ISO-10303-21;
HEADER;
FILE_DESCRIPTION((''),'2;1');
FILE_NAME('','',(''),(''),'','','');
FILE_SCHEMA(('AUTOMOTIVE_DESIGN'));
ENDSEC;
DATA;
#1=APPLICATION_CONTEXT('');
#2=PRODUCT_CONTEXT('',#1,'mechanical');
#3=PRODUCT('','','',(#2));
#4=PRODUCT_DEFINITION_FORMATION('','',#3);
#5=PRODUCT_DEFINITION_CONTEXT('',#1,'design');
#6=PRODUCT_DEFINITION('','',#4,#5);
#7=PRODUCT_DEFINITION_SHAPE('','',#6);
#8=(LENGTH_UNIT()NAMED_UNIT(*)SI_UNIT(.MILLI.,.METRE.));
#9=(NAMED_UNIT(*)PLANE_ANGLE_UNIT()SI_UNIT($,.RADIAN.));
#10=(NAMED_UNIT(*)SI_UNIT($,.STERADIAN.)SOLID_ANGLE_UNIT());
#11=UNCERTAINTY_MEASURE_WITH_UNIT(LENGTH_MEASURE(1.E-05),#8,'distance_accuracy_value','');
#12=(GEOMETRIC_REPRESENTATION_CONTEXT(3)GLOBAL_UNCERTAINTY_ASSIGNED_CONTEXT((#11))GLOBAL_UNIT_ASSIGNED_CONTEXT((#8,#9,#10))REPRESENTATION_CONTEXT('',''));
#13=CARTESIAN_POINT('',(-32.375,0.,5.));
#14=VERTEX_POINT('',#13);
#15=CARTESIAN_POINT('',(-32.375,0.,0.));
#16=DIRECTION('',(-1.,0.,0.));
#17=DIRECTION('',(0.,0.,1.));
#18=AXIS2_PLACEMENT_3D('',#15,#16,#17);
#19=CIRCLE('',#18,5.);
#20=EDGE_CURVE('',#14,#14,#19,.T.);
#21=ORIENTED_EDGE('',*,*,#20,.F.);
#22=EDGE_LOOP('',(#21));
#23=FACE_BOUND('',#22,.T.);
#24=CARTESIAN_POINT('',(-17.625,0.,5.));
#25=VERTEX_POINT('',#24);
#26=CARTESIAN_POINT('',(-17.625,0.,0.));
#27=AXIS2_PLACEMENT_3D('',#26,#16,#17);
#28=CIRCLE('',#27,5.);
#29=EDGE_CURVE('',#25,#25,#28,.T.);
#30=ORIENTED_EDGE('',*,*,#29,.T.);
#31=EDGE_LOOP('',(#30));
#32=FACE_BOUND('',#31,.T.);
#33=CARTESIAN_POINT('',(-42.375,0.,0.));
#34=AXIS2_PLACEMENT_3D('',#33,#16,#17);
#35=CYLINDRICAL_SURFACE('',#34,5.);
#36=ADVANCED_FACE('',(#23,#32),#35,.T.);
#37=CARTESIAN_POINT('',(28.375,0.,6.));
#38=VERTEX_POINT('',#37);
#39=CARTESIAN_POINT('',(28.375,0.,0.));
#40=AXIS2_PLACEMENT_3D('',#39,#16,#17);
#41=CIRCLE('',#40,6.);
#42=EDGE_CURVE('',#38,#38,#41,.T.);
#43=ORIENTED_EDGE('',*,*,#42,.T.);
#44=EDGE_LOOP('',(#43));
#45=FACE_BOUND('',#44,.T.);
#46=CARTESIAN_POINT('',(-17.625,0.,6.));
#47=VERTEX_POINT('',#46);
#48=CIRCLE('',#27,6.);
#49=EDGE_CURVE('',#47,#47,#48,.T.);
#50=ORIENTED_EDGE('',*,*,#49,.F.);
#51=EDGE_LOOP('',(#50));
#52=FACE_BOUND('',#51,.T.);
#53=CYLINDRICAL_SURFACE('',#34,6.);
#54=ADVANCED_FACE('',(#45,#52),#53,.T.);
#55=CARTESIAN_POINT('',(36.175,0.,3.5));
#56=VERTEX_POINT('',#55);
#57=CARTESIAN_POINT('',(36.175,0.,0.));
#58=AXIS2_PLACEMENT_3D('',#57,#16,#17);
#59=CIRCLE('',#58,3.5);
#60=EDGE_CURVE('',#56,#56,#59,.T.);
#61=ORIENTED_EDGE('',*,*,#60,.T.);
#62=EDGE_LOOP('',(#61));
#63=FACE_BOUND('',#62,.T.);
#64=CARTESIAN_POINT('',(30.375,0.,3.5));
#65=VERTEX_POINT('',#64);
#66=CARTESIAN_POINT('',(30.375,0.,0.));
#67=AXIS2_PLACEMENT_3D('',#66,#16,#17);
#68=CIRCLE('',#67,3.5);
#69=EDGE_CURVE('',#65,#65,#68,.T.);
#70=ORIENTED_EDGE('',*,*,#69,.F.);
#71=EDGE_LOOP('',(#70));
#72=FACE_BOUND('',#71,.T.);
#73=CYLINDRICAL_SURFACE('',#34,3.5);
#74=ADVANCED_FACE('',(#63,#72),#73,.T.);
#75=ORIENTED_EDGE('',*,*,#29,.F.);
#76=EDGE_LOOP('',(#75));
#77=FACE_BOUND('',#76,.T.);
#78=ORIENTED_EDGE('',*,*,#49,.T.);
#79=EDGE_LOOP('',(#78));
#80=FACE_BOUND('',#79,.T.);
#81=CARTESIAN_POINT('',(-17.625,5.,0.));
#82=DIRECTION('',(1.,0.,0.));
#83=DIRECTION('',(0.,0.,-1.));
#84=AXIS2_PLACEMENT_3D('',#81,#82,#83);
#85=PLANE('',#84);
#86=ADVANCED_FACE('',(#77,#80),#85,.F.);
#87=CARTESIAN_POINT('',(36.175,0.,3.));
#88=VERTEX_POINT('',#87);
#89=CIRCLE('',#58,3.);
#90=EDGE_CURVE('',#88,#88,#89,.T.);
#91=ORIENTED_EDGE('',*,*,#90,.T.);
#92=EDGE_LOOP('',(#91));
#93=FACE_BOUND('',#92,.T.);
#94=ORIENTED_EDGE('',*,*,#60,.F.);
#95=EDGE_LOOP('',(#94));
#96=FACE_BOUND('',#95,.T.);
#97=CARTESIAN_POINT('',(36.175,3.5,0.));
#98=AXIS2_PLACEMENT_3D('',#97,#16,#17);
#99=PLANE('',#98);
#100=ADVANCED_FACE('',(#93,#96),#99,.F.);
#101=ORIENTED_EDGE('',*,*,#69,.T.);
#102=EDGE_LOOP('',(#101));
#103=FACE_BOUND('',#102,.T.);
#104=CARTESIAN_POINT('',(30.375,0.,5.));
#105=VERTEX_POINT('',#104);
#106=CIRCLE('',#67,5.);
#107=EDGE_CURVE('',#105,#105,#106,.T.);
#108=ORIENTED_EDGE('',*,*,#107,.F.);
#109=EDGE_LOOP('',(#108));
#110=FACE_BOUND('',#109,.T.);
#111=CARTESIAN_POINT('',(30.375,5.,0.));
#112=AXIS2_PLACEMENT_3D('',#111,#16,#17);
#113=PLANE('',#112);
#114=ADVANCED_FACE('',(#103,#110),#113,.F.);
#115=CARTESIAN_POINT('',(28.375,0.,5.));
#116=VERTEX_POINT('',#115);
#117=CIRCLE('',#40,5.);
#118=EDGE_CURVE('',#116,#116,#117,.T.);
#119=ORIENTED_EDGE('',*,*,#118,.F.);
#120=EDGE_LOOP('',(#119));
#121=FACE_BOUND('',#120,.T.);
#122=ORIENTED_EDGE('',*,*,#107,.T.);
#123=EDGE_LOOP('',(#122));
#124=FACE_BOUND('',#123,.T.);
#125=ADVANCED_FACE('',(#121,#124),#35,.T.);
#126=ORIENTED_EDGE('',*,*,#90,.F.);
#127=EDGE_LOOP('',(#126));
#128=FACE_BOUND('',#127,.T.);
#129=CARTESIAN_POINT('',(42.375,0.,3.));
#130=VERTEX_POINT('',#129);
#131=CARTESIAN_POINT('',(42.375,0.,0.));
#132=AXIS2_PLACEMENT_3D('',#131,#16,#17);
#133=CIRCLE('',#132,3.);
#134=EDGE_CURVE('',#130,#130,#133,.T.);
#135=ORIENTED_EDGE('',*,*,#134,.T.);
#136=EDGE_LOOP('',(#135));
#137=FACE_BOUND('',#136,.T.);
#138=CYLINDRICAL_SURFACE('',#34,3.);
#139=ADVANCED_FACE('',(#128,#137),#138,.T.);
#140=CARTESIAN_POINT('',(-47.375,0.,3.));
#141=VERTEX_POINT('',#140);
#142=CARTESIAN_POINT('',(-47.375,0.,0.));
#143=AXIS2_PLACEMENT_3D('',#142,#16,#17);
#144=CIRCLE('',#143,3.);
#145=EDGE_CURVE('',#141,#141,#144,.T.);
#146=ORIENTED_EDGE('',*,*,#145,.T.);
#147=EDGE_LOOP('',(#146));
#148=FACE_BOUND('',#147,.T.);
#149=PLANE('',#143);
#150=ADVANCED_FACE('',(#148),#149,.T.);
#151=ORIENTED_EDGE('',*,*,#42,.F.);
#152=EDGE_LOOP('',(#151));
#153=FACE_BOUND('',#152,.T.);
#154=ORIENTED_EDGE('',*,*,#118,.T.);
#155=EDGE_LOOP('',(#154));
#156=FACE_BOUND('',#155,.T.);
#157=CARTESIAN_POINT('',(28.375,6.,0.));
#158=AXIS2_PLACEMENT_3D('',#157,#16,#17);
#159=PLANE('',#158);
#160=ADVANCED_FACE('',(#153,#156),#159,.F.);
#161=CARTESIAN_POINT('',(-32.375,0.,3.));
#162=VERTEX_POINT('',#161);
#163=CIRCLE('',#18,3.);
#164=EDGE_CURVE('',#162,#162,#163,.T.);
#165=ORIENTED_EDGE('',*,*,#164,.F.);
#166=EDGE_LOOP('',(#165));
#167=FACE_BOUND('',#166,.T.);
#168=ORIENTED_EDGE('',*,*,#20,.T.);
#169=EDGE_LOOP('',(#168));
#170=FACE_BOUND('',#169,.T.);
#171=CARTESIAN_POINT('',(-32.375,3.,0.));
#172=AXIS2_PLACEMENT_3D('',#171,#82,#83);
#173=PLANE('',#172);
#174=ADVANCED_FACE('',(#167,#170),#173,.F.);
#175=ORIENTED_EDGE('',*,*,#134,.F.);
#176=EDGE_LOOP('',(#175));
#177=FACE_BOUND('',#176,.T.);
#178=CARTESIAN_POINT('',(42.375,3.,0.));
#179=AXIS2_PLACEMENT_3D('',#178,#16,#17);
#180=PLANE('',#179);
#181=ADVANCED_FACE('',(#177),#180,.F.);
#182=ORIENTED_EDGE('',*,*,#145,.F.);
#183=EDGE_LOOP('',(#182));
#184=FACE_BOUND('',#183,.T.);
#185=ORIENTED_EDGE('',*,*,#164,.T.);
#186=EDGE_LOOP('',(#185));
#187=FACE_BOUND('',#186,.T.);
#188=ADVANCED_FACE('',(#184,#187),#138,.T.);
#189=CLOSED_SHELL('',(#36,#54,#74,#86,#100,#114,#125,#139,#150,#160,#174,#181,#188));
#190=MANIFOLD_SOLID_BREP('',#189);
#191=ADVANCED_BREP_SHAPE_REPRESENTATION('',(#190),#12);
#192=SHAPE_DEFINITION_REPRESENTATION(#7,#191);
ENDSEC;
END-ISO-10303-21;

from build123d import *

# Parameters (mm, degrees)
BOSS_EXTRUDE2_START = 5
SKETCH6_R           = 3
BOSS_EXTRUDE2_DEPTH = 5


with BuildPart() as part:
    # Sketch2 → Revolve1 (revolve)
    with BuildSketch(Plane.XY, mode=Mode.PRIVATE) as revolve1_sk:
        Polygon((-42.375, 0), (42.375, 0), (42.375, 3), (36.175, 3), (36.175, 3.5), (30.375, 3.5), (30.375, 5), (28.375, 5), (28.375, 6), (-17.625, 6), (-17.625, 5), (-32.375, 5), (-32.375, 3), (-42.375, 3), align=None)
    revolve(revolve1_sk.sketch.rotate(Axis((-42.375, 0, 0), (1, 0, 0)), 90), axis=Axis((-42.375, 0, 0), (1, 0, 0)))

    # Sketch6 → Boss-Extrude2 (add)
    with BuildSketch(Plane.ZY.offset(42.375).offset(BOSS_EXTRUDE2_START)):
        Circle(SKETCH6_R)
    extrude(amount=-BOSS_EXTRUDE2_DEPTH)


solid = part.part
